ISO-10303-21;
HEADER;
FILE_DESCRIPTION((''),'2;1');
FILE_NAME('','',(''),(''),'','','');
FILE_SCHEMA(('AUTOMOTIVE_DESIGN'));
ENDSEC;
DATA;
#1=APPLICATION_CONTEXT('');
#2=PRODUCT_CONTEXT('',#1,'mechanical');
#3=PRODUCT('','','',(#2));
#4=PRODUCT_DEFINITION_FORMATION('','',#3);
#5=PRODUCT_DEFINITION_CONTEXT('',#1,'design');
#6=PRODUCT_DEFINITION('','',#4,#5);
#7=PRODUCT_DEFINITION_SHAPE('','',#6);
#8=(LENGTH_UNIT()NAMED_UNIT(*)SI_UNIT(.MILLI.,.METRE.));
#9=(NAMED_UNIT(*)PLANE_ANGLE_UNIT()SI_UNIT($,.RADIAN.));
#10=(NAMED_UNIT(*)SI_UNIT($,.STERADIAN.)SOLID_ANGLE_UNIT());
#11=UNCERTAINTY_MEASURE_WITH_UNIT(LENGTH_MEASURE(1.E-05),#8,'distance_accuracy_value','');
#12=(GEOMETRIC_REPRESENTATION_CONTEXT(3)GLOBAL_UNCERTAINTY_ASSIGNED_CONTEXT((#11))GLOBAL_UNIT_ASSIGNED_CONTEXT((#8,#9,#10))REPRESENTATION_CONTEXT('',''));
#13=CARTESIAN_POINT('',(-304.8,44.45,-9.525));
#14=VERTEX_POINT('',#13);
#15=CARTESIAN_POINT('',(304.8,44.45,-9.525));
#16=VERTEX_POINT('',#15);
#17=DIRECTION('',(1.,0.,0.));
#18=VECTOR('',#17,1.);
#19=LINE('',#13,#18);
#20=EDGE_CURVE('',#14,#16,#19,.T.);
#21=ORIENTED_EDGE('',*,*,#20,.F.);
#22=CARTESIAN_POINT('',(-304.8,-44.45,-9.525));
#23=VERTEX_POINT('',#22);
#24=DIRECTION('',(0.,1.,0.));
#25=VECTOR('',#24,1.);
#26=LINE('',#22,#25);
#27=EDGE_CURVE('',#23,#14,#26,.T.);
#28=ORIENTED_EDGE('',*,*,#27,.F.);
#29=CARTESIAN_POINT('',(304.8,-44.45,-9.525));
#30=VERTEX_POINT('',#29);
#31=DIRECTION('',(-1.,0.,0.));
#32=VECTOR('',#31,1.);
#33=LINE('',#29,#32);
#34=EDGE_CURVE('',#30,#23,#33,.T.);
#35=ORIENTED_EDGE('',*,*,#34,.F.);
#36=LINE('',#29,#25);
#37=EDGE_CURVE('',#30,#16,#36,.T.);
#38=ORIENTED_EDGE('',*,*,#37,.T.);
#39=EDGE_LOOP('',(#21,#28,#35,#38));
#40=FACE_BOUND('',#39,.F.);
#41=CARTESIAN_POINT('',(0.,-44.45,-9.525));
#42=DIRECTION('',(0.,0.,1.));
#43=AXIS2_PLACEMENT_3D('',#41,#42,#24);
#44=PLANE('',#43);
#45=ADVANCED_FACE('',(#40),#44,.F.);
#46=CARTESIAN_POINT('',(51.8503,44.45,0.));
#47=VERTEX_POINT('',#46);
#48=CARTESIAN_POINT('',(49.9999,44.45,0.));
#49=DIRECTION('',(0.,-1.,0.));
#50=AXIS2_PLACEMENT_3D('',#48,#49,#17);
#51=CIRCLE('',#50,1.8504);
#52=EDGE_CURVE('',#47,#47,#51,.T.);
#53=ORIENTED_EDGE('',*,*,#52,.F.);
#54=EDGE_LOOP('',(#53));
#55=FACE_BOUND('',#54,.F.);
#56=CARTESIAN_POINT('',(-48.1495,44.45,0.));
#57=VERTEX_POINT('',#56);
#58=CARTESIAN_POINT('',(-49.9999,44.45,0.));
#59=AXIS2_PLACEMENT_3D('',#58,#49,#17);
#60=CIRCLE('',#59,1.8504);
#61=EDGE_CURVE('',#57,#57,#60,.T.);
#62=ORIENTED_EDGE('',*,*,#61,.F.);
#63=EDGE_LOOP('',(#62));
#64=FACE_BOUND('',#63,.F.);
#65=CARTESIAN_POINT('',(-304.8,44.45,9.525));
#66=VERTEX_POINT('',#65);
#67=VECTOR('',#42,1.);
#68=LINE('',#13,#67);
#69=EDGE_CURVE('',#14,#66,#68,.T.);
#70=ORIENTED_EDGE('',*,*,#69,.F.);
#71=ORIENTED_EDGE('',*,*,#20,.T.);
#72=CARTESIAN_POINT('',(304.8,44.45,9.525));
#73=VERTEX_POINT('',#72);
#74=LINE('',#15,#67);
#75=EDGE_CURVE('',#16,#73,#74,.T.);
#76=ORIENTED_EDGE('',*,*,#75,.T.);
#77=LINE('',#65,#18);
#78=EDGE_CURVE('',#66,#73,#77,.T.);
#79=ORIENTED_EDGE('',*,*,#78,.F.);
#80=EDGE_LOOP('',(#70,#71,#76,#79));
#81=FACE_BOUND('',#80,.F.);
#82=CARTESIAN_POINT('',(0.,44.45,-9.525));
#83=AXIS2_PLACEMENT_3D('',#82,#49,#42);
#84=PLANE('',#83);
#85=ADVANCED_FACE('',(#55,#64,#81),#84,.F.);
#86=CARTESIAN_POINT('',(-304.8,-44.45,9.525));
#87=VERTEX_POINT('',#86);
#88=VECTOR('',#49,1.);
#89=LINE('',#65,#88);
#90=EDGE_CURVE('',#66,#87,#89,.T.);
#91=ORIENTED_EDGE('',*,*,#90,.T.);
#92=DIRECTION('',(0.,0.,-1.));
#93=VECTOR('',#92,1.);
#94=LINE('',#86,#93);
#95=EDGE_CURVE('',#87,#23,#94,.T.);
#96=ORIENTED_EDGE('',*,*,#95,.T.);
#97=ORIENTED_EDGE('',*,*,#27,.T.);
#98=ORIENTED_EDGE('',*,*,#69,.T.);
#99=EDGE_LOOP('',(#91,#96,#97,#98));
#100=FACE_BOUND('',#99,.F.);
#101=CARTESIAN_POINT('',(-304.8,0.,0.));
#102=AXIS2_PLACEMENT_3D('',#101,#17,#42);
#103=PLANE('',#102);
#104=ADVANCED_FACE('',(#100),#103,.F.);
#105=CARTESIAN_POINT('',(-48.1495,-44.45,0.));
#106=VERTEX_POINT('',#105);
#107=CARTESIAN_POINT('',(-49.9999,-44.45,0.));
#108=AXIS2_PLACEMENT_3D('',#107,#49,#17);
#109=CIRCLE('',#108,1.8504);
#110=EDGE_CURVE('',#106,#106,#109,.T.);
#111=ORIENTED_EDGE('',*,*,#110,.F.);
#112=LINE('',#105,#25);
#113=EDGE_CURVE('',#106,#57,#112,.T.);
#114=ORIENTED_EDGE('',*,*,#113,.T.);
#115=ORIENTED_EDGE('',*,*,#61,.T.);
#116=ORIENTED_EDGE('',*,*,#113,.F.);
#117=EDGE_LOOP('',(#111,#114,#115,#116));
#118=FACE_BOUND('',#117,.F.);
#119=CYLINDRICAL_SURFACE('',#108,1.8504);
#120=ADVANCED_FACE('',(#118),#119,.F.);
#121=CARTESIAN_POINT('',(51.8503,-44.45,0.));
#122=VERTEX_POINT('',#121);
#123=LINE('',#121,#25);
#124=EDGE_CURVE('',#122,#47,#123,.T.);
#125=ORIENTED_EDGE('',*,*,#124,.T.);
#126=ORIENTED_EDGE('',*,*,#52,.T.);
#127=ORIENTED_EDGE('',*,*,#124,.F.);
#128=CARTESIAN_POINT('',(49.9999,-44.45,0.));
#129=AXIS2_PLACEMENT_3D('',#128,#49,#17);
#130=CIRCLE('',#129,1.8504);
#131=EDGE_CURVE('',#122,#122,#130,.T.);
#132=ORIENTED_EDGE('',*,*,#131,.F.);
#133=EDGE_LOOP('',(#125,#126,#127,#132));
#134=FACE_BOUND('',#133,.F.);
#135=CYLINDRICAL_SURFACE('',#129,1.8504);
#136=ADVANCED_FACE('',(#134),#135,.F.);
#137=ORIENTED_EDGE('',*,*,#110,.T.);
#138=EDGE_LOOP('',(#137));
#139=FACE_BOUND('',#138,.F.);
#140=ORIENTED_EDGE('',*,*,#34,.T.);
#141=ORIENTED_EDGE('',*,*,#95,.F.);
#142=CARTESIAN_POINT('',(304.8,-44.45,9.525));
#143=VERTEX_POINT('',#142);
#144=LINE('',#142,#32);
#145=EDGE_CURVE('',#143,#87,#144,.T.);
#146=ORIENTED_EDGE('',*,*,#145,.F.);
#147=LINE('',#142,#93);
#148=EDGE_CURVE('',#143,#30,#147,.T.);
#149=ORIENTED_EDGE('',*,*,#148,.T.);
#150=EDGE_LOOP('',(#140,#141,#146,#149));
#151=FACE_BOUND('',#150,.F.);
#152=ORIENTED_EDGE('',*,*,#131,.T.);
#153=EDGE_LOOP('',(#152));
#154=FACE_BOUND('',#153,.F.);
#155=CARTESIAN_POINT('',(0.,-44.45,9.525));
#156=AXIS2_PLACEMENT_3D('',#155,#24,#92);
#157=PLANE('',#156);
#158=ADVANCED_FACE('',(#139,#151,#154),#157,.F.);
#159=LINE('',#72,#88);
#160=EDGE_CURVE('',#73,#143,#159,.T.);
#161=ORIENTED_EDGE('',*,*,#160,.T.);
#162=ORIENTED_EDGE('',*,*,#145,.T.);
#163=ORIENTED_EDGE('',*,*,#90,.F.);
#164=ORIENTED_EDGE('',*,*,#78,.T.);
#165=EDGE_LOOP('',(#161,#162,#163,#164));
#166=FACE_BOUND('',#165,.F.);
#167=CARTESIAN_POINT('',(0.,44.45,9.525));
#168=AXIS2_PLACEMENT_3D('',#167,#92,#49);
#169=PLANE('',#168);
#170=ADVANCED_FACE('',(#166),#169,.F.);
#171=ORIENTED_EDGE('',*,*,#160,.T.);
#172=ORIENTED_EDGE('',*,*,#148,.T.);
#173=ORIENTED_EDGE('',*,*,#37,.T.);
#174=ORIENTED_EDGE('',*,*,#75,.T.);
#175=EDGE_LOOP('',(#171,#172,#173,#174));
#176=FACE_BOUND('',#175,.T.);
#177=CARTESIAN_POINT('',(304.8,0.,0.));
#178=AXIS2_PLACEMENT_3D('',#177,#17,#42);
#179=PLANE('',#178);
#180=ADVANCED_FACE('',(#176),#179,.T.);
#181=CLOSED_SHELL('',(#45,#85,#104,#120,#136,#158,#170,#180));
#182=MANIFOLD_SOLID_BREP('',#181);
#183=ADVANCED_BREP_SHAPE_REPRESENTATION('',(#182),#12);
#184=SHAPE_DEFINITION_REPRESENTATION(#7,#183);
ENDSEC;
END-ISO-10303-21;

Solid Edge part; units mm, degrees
sketch "Sketch1" plane through (0, 0, 0) normal (1, 0, 0) x (0, 1, 0)
  line L0 (-44.45, -9.525) -> (44.45, -9.525)
  line L1 (44.45, -9.525) -> (44.45, 9.525)
  line L2 (44.45, 9.525) -> (-44.45, 9.525)
  line L3 (-44.45, 9.525) -> (-44.45, -9.525)
  dimension "D1" = 88.9
  dimension "D2" = 19.05
extrude "Protrusion1" add sketch "Sketch1" along normal mid plane 609.6
sketch "Sketch2" plane through (0, -44.45, 0) normal (0, -1, 0) x (1, 0, 0)
  circle A0 centre (-49.9999, 0) radius 1.8504
  circle A1 centre (49.9999, 0) radius 1.8504
  dimension "D1" = 49.9999
  dimension "D2" = 3.7008
extrude "Cutout1" cut sketch "Sketch2" against normal through all
properties material "Wood, Pine"
